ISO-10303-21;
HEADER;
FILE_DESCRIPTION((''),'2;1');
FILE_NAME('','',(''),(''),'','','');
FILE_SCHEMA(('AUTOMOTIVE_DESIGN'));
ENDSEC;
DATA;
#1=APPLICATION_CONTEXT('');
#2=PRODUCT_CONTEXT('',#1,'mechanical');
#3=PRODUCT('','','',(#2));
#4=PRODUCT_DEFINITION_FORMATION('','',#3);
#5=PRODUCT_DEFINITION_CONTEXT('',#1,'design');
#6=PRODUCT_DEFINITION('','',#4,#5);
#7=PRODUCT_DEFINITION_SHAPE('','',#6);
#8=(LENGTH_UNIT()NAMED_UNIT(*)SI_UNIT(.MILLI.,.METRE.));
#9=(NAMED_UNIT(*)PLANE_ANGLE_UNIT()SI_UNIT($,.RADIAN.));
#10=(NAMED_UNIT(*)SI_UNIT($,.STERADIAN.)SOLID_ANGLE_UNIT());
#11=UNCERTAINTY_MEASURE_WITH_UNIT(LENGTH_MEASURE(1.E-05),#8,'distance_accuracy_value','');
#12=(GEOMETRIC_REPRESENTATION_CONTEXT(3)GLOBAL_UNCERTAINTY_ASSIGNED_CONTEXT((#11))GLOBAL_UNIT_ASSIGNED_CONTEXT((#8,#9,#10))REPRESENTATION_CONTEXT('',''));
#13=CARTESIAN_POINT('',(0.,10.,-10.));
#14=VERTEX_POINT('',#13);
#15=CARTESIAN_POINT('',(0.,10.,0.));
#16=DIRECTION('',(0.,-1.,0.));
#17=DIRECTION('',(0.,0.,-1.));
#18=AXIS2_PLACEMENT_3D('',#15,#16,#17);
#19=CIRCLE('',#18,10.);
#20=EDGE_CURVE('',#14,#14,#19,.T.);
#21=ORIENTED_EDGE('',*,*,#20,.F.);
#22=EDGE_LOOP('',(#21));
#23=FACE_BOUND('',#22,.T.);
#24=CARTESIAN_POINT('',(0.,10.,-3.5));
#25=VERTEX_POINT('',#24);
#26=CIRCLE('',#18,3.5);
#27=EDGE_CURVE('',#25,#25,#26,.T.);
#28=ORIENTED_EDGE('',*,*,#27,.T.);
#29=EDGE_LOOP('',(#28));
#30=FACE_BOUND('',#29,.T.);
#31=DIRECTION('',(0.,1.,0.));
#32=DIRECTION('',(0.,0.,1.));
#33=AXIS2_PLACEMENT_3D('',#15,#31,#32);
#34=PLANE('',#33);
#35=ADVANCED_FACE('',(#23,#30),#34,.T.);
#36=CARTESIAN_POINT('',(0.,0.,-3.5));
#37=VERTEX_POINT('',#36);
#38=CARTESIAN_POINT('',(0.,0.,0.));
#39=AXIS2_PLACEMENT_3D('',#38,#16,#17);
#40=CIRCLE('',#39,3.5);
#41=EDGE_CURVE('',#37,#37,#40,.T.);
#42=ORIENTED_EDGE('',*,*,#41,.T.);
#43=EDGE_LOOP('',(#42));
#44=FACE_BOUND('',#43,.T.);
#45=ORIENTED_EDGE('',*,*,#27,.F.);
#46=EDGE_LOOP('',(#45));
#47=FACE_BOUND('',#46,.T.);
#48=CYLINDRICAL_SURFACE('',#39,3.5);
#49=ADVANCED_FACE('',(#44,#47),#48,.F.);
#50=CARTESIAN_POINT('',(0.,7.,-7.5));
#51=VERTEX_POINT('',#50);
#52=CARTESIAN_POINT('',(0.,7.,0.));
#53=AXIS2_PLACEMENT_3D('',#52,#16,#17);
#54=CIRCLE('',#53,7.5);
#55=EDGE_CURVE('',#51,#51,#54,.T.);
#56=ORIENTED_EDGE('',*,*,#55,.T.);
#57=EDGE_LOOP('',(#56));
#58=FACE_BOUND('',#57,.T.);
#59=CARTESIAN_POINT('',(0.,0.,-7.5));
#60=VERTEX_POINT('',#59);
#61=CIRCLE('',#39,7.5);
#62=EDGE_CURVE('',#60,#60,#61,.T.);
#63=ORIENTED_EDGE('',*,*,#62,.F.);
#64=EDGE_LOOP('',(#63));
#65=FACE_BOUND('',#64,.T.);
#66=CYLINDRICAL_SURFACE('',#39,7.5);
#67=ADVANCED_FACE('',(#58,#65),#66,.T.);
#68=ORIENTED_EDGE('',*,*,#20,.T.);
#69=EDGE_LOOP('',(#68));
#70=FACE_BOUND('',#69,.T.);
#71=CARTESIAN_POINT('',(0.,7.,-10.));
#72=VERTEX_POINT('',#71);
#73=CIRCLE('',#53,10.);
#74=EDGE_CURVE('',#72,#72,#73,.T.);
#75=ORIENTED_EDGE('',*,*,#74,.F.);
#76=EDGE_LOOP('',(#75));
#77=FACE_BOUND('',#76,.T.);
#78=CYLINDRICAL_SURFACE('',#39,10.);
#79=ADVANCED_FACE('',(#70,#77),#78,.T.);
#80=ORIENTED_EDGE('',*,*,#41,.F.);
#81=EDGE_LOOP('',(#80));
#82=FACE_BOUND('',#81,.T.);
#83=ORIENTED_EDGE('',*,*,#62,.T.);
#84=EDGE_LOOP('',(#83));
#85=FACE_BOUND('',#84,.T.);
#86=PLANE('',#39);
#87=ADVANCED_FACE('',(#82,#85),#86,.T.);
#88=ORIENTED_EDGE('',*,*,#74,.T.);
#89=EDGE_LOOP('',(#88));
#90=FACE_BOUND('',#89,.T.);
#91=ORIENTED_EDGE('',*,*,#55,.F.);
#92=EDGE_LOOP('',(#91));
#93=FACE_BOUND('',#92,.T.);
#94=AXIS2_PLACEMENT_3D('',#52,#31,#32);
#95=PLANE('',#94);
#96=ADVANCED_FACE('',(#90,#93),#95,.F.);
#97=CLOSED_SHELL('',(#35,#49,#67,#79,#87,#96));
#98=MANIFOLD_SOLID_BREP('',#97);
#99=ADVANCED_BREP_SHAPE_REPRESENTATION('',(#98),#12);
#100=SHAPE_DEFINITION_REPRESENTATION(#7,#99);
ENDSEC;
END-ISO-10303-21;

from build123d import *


with BuildPart() as part:
    # Sketch1 → Revolve1 (revolve)
    with BuildSketch(Plane.XY, mode=Mode.PRIVATE) as revolve1_sk:
        Polygon((3.5, 10), (3.5, 0), (7.5, 0), (7.5, 7), (10, 7), (10, 10), align=None)
    revolve(revolve1_sk.sketch.rotate(Axis((0, 0, 0), (0, 1, 0)), 90), axis=Axis((0, 0, 0), (0, 1, 0)))


solid = part.part
